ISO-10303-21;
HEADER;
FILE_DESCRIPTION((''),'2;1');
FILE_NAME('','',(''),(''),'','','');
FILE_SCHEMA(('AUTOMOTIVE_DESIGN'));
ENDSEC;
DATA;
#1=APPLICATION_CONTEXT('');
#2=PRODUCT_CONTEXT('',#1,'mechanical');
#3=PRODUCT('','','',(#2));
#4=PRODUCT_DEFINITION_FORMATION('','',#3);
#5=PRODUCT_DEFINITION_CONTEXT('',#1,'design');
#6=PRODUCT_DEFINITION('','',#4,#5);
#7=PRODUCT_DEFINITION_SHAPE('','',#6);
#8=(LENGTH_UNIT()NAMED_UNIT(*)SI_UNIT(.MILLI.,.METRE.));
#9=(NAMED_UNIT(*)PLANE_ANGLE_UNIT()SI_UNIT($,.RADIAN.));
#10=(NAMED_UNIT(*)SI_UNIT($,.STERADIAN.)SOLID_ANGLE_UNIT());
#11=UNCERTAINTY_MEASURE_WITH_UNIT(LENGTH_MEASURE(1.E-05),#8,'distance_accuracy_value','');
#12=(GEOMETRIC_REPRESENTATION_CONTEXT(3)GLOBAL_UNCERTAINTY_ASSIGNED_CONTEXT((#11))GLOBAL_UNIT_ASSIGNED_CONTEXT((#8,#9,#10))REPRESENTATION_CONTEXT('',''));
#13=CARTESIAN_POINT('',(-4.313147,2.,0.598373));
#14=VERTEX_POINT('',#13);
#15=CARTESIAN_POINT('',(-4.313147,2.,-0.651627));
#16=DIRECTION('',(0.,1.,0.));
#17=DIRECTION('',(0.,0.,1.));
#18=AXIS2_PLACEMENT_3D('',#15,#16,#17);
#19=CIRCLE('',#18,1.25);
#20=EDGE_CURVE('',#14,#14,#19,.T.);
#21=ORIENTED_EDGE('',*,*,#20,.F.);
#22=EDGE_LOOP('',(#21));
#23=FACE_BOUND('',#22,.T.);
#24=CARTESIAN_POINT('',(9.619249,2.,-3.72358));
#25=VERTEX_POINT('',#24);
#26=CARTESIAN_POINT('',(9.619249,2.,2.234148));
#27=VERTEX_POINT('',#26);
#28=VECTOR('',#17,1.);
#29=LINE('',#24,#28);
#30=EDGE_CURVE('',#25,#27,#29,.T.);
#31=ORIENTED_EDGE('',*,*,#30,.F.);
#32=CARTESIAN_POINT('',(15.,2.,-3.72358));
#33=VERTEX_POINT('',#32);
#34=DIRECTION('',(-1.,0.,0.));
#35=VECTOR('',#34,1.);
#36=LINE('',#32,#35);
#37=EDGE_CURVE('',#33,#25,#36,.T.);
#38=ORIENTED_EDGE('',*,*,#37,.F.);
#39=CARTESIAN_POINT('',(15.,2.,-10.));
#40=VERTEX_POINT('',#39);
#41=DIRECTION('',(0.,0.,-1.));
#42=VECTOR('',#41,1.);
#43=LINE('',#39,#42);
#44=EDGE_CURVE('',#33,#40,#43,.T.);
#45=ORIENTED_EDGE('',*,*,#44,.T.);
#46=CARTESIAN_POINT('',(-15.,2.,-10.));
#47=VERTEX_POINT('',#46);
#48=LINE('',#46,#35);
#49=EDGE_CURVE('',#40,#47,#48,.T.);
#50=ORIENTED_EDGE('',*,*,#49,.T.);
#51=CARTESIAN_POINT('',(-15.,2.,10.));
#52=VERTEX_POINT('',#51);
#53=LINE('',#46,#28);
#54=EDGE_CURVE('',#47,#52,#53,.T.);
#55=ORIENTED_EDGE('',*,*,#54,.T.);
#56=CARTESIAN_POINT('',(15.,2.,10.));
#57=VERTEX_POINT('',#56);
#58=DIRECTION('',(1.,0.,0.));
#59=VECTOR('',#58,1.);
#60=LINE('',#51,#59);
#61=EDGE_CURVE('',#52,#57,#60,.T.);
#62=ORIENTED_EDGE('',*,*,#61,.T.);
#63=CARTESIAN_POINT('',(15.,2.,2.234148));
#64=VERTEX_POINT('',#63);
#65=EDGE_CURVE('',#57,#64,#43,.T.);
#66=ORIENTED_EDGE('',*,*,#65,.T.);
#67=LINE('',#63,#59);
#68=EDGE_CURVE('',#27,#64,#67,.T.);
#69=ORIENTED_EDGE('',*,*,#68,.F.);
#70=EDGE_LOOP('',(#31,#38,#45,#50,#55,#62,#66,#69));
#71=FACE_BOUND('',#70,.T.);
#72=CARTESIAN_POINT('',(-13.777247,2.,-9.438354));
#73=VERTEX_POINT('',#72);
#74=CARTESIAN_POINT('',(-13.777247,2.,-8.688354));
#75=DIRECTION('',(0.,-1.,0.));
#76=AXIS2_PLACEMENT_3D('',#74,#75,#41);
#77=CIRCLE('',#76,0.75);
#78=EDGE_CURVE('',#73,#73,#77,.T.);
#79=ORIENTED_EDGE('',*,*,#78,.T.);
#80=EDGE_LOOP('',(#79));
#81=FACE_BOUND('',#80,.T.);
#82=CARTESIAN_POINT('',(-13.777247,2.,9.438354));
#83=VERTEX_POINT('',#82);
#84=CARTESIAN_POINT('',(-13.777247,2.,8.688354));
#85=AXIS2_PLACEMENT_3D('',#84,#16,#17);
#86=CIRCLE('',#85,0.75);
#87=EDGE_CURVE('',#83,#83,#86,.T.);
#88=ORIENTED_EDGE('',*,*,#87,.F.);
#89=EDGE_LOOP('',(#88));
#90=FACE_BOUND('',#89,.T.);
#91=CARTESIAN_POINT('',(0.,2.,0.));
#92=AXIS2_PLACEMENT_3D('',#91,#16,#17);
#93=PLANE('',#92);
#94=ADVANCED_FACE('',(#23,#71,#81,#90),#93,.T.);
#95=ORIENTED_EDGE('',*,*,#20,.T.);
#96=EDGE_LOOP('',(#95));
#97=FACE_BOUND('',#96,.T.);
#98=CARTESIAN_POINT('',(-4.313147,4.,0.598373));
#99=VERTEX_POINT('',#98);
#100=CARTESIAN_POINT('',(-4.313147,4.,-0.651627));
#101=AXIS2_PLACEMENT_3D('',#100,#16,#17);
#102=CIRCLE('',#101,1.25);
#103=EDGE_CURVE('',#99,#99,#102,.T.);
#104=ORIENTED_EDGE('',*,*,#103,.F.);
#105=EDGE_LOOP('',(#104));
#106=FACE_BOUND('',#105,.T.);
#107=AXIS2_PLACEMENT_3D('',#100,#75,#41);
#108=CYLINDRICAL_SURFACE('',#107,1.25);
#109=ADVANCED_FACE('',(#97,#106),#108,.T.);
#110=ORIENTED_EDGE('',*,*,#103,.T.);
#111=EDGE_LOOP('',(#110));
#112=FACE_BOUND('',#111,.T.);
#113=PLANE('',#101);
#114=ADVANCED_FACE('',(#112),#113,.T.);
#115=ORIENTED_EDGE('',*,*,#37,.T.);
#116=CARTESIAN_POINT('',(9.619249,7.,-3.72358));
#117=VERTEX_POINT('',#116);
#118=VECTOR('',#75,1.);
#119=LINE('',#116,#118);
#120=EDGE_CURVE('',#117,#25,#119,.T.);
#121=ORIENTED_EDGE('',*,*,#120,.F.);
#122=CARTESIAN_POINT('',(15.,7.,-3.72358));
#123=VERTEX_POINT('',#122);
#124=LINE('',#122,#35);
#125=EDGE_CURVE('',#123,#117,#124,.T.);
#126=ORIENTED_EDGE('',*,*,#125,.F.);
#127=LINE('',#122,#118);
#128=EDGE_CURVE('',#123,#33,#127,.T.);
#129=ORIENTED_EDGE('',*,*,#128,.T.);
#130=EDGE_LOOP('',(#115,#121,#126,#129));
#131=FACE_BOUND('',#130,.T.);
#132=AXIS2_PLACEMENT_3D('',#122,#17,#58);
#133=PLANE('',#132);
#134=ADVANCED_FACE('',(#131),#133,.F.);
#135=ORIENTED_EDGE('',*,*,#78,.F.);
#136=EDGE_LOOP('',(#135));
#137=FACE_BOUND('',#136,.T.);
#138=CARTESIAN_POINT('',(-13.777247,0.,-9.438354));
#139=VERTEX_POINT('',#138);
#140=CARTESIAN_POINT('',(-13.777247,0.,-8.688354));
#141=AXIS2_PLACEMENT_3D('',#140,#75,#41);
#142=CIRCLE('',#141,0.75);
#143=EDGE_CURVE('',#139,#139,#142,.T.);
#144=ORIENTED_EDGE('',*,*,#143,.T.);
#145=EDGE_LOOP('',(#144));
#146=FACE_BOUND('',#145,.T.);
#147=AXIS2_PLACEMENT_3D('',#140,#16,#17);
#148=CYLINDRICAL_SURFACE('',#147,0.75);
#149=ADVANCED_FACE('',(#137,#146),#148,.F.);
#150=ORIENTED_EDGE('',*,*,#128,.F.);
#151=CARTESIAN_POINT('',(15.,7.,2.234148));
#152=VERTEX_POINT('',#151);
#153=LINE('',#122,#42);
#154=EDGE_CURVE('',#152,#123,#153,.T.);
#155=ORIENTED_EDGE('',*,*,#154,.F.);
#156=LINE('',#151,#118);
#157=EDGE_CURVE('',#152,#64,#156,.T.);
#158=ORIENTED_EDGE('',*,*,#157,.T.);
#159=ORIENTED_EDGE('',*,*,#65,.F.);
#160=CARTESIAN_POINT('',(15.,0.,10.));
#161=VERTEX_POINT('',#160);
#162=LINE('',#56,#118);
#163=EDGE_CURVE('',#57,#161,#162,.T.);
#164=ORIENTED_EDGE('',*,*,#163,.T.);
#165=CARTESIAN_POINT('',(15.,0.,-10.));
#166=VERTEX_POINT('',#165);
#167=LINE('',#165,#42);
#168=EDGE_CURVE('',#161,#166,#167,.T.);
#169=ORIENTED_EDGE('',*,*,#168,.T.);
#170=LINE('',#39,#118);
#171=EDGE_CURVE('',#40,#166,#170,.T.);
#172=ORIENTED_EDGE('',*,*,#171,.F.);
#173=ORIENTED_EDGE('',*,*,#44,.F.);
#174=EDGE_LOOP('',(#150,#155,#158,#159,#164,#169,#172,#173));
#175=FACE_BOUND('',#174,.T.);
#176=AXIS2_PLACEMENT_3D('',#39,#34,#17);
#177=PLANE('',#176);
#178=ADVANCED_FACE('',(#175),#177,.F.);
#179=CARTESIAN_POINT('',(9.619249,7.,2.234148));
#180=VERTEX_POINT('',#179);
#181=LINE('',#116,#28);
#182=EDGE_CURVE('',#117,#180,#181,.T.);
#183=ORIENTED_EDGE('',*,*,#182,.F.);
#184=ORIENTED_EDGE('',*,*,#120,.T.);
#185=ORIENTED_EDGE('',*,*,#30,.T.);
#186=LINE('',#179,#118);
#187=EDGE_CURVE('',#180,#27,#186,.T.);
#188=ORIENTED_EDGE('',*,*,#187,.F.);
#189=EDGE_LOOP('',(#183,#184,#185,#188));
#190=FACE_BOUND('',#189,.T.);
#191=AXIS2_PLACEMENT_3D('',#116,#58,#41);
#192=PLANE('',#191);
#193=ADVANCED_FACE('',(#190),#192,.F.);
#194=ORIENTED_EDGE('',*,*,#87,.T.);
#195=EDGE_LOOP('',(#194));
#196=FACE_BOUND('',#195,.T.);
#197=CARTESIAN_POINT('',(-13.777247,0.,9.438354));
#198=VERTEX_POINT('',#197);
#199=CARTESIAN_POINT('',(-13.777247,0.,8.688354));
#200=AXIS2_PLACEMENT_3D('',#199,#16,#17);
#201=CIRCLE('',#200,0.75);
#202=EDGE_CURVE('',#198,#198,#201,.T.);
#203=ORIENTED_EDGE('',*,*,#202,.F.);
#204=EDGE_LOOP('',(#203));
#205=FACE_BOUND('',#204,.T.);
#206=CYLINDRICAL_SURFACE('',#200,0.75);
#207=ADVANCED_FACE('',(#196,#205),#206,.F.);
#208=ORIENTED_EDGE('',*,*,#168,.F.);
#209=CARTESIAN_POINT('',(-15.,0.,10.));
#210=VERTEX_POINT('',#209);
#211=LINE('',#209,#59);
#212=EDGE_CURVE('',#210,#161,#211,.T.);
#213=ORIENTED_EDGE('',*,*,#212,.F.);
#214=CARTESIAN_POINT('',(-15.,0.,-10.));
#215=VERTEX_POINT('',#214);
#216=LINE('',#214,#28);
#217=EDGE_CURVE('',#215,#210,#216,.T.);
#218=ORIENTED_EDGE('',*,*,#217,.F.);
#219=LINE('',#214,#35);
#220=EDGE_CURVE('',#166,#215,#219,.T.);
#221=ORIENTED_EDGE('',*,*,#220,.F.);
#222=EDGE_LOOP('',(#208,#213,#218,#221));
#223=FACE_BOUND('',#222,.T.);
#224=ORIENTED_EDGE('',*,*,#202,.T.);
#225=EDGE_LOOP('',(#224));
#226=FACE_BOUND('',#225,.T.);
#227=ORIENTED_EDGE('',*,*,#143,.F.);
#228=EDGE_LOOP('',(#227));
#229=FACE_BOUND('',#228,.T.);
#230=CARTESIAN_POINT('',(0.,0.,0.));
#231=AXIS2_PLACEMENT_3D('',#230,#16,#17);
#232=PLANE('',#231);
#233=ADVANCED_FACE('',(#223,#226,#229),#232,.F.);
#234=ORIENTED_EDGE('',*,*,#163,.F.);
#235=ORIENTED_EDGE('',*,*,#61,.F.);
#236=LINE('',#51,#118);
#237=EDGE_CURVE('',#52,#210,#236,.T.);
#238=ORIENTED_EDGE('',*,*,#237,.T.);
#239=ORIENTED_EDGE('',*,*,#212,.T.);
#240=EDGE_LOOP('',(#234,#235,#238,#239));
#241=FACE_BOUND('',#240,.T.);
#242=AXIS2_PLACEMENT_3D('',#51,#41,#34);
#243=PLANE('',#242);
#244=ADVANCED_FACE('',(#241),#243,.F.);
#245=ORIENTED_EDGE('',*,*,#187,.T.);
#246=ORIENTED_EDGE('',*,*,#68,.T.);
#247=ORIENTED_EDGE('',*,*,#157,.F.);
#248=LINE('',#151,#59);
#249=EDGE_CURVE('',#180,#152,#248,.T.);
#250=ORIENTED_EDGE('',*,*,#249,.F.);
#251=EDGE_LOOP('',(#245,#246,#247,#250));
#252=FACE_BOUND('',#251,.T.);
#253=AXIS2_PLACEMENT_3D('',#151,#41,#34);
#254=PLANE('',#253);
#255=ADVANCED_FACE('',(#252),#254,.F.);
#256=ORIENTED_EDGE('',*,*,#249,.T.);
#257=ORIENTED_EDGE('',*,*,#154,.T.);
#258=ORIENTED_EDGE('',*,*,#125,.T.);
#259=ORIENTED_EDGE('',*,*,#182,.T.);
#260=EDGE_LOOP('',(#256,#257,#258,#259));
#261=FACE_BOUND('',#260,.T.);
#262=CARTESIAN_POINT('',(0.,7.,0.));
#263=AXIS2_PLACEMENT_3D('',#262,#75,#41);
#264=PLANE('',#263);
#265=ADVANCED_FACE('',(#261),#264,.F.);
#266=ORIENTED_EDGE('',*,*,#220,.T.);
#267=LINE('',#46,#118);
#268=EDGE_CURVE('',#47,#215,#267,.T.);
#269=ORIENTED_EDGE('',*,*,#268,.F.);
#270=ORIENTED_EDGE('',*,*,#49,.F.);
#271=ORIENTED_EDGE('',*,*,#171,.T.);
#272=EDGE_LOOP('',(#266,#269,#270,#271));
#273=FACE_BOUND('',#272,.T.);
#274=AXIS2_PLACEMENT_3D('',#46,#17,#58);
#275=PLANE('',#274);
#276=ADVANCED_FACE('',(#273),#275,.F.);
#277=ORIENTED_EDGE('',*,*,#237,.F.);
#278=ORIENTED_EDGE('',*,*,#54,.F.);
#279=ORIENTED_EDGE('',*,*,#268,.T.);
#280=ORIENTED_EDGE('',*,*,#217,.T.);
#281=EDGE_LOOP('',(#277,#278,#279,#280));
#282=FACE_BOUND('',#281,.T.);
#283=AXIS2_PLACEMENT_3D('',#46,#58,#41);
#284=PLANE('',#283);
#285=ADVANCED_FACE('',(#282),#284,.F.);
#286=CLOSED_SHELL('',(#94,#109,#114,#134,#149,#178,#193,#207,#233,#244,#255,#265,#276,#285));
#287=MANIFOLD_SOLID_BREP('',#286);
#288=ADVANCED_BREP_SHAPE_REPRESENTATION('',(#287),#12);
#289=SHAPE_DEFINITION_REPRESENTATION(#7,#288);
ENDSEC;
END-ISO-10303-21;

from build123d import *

# Parameters (mm, degrees)
ESQUISSE1_W             = 30
ESQUISSE1_H             = 20
BOSS_EXTRU_1_DEPTH      = 2
ESQUISSE2_R             = 0.75
ENL_V_MAT_EXTRU_1_DEPTH = 2
ESQUISSE3_R             = 1.25
BOSS_EXTRU_2_DEPTH      = 2
ESQUISSE4_W             = 5.380750915
ESQUISSE4_H             = 5.957728466
BOSS_EXTRU_3_DEPTH      = 5


with BuildPart() as part:
    # Esquisse1 → Boss.-Extru.1 (new body)
    with BuildSketch(Plane(origin=(0, 0, 0), x_dir=(1, 0, 0), z_dir=(0, 1, 0))):
        Rectangle(ESQUISSE1_W, ESQUISSE1_H)
    extrude(amount=BOSS_EXTRU_1_DEPTH)

    # Esquisse2 → Enlèv. mat.-Extru.1 (cut)
    with BuildSketch(Plane(origin=(0, 2, 0), x_dir=(1, 0, 0), z_dir=(0, 1, 0))):
        with Locations(Location((-13.777247076, -8.688354012, 0), (0, 0, 270))):
            Circle(ESQUISSE2_R)
    enl_v_mat_extru_1 = extrude(amount=-ENL_V_MAT_EXTRU_1_DEPTH, mode=Mode.SUBTRACT)

    # Symétrie1: Enlèv. mat.-Extru.1 across plane
    add(enl_v_mat_extru_1.mirror(Plane.XY), mode=Mode.SUBTRACT)

    # Esquisse3 → Boss.-Extru.2 (add)
    with BuildSketch(Plane(origin=(0, 2, 0), x_dir=(1, 0, 0), z_dir=(0, 1, 0))):
        with Locations(Location((-4.31314717, 0.651626551, 0), (0, 0, 270))):
            Circle(ESQUISSE3_R)
    extrude(amount=BOSS_EXTRU_2_DEPTH)

    # Esquisse4 → Boss.-Extru.3 (add)
    with BuildSketch(Plane(origin=(0, 2, 0), x_dir=(1, 0, 0), z_dir=(0, 1, 0))):
        with Locations((12.309624542, 0.744716058)):
            Rectangle(ESQUISSE4_W, ESQUISSE4_H)
    extrude(amount=BOSS_EXTRU_3_DEPTH)


solid = part.part
